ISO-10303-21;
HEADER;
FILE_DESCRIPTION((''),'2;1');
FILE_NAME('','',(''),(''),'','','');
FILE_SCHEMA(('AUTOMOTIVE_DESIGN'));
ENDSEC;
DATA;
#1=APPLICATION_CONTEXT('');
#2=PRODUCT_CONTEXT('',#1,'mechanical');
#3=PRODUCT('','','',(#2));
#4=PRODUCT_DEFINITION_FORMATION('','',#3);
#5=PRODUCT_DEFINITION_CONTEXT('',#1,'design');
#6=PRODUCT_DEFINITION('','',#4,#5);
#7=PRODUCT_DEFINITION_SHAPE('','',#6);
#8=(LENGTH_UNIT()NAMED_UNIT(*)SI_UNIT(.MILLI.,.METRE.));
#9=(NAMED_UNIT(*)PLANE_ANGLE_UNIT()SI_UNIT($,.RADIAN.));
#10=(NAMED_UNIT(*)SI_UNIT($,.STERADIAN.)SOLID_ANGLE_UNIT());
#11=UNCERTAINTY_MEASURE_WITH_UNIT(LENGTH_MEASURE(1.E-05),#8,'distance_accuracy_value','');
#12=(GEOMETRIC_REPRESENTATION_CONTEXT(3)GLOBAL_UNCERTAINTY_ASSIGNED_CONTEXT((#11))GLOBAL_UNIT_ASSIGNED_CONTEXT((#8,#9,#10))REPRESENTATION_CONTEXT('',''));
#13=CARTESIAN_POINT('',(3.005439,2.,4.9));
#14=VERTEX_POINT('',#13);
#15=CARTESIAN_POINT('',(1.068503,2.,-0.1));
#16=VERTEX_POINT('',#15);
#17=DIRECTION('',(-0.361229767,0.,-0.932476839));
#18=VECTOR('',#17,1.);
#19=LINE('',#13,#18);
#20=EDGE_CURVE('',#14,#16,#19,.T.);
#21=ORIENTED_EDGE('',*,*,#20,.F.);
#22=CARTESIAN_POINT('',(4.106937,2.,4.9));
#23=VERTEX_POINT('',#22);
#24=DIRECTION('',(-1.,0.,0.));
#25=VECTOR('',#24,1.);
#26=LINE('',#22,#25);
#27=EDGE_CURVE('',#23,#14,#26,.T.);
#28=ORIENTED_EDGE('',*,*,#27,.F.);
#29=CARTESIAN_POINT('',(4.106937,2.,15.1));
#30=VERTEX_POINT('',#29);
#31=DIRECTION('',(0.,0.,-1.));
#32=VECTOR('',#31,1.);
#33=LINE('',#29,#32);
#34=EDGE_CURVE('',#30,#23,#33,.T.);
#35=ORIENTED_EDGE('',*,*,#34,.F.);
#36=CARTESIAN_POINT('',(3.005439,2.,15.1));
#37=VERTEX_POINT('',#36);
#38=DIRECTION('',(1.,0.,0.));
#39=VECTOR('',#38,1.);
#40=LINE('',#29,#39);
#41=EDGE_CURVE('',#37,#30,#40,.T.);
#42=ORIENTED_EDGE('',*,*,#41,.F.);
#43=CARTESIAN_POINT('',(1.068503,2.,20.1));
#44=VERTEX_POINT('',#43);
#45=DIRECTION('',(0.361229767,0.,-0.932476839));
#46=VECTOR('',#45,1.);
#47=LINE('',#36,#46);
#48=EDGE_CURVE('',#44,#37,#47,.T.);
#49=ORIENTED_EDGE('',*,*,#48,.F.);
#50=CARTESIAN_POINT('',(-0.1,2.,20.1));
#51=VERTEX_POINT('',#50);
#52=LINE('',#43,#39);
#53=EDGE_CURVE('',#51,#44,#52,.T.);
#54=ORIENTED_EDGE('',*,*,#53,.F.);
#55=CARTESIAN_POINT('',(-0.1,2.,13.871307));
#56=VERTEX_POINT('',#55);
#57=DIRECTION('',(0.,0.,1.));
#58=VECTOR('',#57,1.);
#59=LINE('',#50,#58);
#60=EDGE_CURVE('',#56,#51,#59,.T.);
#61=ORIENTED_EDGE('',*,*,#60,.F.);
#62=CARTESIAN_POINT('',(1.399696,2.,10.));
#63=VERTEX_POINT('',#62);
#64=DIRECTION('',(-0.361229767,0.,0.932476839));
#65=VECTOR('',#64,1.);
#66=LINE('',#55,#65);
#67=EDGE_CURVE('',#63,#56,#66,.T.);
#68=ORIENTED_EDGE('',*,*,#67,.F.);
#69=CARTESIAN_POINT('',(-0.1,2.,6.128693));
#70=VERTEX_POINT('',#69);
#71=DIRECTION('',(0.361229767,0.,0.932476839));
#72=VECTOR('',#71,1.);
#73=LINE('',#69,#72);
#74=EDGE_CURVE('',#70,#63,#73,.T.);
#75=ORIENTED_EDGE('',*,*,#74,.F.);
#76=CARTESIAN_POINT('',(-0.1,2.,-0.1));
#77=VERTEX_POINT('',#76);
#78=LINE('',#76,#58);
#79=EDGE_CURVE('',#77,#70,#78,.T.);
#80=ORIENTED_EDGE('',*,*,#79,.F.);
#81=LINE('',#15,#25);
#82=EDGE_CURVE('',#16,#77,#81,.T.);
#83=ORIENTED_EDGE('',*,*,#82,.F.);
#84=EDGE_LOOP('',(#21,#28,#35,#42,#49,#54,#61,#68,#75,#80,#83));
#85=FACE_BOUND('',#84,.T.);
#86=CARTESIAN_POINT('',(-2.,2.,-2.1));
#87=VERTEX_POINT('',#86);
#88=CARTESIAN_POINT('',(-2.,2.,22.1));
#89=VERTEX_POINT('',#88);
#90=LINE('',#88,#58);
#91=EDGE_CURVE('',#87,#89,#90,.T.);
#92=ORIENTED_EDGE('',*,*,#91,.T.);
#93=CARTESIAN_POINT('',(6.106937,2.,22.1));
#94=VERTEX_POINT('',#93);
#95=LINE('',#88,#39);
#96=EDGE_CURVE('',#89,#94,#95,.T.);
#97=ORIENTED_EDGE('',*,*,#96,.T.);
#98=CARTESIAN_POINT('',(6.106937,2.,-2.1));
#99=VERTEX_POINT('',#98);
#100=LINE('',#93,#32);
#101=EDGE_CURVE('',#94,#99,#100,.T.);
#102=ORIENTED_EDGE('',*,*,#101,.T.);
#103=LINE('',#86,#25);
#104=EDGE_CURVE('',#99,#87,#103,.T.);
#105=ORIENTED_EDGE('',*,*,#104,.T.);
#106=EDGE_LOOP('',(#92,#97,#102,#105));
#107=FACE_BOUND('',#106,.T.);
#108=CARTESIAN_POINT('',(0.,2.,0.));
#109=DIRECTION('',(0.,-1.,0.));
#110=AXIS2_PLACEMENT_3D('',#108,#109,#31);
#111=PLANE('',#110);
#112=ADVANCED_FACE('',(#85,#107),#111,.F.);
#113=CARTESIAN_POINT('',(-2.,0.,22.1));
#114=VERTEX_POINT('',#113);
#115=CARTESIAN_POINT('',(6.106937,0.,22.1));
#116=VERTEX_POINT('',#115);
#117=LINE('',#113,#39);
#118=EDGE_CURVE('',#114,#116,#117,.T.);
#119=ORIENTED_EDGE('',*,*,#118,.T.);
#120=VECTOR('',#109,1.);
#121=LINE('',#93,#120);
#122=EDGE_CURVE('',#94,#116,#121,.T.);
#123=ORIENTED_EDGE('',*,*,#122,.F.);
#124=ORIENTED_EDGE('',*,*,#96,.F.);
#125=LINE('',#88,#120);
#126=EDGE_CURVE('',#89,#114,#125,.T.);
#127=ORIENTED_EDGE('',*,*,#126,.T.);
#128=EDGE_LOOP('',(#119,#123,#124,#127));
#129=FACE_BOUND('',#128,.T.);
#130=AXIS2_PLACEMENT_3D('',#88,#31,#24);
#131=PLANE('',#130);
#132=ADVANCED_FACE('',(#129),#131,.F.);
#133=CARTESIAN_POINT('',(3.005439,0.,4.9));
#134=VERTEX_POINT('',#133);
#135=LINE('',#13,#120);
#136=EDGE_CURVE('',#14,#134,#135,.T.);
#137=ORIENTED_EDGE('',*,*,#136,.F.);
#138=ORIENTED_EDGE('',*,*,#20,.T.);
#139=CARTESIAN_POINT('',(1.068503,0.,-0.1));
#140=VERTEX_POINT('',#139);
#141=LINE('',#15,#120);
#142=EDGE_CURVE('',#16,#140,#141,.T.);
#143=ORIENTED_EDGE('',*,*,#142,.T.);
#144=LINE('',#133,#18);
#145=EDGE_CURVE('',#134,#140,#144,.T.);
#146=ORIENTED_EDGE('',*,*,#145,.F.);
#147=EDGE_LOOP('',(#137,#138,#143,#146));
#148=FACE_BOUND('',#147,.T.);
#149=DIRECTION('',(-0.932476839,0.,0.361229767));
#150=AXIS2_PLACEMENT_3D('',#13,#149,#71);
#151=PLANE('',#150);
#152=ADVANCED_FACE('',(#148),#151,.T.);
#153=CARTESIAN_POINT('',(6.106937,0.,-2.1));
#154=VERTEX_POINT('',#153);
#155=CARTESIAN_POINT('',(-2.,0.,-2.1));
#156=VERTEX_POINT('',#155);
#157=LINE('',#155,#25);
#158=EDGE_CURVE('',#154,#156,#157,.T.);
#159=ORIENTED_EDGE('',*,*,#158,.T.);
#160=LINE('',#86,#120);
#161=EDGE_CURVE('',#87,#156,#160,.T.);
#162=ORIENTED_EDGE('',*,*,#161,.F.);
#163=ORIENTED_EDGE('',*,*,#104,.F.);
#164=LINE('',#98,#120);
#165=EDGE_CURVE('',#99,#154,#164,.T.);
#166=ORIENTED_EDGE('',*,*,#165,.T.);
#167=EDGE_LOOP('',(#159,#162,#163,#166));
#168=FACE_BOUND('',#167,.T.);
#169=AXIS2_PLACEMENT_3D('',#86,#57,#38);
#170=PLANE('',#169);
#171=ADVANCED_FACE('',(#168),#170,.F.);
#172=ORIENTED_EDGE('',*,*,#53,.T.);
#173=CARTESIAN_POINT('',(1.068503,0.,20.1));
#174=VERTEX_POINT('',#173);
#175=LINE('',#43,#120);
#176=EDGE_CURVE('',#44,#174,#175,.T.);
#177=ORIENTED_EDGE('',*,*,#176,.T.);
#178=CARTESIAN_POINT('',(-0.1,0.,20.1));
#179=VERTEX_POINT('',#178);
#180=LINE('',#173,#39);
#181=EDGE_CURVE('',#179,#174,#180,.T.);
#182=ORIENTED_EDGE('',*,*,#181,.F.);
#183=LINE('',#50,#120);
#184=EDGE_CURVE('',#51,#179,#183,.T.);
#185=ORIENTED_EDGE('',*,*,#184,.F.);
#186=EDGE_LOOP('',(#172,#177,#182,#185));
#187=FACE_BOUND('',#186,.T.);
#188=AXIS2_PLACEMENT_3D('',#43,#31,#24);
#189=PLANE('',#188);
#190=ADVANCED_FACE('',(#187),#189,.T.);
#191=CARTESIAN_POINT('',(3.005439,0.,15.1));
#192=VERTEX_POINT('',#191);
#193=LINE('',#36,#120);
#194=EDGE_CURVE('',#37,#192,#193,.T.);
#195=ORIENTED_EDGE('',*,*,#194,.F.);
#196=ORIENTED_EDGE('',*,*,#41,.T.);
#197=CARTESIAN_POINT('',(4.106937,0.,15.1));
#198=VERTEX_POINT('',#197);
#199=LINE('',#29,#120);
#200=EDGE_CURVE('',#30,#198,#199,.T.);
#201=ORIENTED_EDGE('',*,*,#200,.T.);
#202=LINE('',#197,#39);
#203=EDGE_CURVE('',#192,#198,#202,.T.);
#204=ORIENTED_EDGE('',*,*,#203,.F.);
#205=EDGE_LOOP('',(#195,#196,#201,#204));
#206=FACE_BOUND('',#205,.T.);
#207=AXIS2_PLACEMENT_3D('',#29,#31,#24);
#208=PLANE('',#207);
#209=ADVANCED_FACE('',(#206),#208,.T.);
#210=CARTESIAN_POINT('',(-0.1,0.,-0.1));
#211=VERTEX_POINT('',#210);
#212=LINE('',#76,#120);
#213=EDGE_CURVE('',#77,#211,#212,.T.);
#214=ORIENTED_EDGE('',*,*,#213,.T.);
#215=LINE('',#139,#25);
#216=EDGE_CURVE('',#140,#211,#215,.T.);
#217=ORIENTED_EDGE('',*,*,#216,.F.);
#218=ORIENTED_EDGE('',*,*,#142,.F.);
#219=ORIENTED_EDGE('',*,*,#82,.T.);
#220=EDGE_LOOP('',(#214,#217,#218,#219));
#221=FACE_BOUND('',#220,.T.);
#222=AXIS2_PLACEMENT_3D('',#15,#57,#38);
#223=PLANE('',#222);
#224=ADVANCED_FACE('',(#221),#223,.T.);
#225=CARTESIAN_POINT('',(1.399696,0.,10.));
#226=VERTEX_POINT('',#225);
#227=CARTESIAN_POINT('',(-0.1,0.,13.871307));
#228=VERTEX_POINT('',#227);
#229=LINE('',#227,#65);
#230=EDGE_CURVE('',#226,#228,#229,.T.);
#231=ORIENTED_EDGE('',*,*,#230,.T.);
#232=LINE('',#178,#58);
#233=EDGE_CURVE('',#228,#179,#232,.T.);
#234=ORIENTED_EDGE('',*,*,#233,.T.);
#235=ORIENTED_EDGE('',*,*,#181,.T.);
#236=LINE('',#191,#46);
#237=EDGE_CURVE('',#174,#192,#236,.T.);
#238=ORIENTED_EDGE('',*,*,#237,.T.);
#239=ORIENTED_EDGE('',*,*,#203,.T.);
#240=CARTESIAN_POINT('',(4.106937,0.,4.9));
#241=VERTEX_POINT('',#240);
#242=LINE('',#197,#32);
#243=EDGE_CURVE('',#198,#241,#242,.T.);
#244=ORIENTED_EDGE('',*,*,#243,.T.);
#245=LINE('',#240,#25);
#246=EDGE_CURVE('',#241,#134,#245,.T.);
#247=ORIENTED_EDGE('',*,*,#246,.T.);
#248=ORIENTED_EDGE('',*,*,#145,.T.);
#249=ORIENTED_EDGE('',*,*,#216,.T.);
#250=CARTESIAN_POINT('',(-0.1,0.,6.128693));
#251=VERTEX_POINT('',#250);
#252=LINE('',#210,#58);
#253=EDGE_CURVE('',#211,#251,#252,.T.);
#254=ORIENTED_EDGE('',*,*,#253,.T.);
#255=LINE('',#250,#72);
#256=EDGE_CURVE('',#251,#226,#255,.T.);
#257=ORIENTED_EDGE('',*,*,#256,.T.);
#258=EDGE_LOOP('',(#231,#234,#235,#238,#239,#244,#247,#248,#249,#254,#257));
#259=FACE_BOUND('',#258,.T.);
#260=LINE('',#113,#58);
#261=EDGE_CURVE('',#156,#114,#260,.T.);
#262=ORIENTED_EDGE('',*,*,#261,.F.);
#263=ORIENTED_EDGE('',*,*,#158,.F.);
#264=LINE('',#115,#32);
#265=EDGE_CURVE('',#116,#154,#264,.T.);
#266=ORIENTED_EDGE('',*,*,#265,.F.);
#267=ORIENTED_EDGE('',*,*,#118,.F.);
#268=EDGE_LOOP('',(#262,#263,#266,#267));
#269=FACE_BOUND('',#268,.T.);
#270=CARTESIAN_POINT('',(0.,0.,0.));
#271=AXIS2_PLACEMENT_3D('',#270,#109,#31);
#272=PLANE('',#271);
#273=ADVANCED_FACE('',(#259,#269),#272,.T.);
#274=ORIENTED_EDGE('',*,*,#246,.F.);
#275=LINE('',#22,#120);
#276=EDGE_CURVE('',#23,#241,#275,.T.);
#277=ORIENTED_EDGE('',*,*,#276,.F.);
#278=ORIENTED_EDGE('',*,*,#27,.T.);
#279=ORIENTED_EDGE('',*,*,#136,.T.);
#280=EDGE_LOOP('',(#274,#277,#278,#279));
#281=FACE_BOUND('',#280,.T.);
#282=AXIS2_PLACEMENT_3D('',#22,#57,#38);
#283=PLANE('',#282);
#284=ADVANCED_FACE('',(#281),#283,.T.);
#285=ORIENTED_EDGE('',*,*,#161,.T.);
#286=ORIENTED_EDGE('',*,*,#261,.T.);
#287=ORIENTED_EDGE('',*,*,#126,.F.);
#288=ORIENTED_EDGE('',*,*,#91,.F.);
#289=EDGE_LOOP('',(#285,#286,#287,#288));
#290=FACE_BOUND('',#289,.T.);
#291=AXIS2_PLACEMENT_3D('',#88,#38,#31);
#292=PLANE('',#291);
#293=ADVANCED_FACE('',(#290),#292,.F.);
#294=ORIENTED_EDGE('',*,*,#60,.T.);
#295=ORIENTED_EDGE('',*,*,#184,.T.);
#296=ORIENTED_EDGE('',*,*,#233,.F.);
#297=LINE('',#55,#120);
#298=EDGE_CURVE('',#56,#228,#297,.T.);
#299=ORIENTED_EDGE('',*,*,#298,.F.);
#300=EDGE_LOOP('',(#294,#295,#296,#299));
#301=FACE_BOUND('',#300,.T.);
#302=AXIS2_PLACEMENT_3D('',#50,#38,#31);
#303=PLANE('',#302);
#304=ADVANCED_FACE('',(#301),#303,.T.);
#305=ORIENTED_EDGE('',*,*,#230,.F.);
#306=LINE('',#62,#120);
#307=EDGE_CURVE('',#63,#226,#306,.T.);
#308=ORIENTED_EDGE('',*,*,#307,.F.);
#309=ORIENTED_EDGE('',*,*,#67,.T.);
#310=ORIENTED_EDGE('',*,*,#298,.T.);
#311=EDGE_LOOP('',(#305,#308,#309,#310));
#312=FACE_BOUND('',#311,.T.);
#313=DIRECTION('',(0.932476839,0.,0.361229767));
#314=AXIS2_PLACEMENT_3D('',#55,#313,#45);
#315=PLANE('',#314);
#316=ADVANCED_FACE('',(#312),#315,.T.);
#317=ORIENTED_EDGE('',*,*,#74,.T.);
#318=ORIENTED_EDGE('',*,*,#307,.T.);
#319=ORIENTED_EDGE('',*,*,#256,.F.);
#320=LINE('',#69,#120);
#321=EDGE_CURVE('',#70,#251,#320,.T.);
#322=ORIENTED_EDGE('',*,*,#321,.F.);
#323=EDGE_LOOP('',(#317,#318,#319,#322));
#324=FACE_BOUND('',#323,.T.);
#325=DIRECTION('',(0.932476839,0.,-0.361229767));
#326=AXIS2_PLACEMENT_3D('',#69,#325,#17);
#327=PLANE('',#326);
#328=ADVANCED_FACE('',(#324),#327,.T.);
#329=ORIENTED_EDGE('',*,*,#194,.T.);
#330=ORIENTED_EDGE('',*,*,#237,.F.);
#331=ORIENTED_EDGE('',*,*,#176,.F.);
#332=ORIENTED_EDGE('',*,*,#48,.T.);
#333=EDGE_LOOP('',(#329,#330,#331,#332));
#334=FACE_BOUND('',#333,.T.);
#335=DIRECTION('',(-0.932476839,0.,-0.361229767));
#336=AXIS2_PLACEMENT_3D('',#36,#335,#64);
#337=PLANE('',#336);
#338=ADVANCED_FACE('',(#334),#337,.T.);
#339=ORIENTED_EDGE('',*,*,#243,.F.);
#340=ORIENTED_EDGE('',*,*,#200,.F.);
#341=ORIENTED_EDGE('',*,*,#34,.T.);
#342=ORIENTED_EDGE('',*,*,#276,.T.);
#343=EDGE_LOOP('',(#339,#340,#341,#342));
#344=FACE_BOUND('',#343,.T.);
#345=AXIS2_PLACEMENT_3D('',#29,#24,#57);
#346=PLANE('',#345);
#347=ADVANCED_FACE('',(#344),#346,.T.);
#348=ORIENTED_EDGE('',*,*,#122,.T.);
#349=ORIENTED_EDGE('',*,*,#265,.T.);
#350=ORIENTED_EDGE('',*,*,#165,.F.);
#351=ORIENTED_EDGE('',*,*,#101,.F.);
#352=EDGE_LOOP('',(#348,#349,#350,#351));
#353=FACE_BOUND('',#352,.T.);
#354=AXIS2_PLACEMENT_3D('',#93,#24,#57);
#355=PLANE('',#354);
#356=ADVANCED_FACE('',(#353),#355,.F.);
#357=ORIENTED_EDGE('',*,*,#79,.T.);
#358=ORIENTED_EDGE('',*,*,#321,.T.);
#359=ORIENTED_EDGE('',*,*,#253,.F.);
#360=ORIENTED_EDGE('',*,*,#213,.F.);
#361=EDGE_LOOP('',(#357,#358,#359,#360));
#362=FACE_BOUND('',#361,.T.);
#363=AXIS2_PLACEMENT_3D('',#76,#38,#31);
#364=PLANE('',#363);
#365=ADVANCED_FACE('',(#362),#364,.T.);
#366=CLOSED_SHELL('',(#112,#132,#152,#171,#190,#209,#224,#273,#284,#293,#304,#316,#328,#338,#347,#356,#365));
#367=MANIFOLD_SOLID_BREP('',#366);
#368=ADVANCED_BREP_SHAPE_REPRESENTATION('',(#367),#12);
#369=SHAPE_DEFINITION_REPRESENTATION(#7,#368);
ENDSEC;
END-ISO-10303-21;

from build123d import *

# Parameters (mm, degrees)
SKETCH_5_W      = 8.106936937
SKETCH_5_H      = 24.2
EXTRUDE_3_DEPTH = 2


with BuildPart() as part:
    # 스케치5 → 보스-돌출3 (new body)
    with BuildSketch(Plane(origin=(0, 0, 0), x_dir=(1, 0, 0), z_dir=(0, 1, 0))):
        with Locations((2.053468469, -10)):
            Rectangle(SKETCH_5_W, SKETCH_5_H)
        Polygon((-0.1, -13.871307421), (1.399695667, -10), (-0.1, -6.128692579), (-0.1, 0.1), (1.068502531, 0.1), (3.005439468, -4.9), (4.106936937, -4.9), (4.106936937, -15.1), (3.005439468, -15.1), (1.068502531, -20.1), (-0.1, -20.1), align=None, mode=Mode.SUBTRACT)
    extrude(amount=EXTRUDE_3_DEPTH)


solid = part.part
